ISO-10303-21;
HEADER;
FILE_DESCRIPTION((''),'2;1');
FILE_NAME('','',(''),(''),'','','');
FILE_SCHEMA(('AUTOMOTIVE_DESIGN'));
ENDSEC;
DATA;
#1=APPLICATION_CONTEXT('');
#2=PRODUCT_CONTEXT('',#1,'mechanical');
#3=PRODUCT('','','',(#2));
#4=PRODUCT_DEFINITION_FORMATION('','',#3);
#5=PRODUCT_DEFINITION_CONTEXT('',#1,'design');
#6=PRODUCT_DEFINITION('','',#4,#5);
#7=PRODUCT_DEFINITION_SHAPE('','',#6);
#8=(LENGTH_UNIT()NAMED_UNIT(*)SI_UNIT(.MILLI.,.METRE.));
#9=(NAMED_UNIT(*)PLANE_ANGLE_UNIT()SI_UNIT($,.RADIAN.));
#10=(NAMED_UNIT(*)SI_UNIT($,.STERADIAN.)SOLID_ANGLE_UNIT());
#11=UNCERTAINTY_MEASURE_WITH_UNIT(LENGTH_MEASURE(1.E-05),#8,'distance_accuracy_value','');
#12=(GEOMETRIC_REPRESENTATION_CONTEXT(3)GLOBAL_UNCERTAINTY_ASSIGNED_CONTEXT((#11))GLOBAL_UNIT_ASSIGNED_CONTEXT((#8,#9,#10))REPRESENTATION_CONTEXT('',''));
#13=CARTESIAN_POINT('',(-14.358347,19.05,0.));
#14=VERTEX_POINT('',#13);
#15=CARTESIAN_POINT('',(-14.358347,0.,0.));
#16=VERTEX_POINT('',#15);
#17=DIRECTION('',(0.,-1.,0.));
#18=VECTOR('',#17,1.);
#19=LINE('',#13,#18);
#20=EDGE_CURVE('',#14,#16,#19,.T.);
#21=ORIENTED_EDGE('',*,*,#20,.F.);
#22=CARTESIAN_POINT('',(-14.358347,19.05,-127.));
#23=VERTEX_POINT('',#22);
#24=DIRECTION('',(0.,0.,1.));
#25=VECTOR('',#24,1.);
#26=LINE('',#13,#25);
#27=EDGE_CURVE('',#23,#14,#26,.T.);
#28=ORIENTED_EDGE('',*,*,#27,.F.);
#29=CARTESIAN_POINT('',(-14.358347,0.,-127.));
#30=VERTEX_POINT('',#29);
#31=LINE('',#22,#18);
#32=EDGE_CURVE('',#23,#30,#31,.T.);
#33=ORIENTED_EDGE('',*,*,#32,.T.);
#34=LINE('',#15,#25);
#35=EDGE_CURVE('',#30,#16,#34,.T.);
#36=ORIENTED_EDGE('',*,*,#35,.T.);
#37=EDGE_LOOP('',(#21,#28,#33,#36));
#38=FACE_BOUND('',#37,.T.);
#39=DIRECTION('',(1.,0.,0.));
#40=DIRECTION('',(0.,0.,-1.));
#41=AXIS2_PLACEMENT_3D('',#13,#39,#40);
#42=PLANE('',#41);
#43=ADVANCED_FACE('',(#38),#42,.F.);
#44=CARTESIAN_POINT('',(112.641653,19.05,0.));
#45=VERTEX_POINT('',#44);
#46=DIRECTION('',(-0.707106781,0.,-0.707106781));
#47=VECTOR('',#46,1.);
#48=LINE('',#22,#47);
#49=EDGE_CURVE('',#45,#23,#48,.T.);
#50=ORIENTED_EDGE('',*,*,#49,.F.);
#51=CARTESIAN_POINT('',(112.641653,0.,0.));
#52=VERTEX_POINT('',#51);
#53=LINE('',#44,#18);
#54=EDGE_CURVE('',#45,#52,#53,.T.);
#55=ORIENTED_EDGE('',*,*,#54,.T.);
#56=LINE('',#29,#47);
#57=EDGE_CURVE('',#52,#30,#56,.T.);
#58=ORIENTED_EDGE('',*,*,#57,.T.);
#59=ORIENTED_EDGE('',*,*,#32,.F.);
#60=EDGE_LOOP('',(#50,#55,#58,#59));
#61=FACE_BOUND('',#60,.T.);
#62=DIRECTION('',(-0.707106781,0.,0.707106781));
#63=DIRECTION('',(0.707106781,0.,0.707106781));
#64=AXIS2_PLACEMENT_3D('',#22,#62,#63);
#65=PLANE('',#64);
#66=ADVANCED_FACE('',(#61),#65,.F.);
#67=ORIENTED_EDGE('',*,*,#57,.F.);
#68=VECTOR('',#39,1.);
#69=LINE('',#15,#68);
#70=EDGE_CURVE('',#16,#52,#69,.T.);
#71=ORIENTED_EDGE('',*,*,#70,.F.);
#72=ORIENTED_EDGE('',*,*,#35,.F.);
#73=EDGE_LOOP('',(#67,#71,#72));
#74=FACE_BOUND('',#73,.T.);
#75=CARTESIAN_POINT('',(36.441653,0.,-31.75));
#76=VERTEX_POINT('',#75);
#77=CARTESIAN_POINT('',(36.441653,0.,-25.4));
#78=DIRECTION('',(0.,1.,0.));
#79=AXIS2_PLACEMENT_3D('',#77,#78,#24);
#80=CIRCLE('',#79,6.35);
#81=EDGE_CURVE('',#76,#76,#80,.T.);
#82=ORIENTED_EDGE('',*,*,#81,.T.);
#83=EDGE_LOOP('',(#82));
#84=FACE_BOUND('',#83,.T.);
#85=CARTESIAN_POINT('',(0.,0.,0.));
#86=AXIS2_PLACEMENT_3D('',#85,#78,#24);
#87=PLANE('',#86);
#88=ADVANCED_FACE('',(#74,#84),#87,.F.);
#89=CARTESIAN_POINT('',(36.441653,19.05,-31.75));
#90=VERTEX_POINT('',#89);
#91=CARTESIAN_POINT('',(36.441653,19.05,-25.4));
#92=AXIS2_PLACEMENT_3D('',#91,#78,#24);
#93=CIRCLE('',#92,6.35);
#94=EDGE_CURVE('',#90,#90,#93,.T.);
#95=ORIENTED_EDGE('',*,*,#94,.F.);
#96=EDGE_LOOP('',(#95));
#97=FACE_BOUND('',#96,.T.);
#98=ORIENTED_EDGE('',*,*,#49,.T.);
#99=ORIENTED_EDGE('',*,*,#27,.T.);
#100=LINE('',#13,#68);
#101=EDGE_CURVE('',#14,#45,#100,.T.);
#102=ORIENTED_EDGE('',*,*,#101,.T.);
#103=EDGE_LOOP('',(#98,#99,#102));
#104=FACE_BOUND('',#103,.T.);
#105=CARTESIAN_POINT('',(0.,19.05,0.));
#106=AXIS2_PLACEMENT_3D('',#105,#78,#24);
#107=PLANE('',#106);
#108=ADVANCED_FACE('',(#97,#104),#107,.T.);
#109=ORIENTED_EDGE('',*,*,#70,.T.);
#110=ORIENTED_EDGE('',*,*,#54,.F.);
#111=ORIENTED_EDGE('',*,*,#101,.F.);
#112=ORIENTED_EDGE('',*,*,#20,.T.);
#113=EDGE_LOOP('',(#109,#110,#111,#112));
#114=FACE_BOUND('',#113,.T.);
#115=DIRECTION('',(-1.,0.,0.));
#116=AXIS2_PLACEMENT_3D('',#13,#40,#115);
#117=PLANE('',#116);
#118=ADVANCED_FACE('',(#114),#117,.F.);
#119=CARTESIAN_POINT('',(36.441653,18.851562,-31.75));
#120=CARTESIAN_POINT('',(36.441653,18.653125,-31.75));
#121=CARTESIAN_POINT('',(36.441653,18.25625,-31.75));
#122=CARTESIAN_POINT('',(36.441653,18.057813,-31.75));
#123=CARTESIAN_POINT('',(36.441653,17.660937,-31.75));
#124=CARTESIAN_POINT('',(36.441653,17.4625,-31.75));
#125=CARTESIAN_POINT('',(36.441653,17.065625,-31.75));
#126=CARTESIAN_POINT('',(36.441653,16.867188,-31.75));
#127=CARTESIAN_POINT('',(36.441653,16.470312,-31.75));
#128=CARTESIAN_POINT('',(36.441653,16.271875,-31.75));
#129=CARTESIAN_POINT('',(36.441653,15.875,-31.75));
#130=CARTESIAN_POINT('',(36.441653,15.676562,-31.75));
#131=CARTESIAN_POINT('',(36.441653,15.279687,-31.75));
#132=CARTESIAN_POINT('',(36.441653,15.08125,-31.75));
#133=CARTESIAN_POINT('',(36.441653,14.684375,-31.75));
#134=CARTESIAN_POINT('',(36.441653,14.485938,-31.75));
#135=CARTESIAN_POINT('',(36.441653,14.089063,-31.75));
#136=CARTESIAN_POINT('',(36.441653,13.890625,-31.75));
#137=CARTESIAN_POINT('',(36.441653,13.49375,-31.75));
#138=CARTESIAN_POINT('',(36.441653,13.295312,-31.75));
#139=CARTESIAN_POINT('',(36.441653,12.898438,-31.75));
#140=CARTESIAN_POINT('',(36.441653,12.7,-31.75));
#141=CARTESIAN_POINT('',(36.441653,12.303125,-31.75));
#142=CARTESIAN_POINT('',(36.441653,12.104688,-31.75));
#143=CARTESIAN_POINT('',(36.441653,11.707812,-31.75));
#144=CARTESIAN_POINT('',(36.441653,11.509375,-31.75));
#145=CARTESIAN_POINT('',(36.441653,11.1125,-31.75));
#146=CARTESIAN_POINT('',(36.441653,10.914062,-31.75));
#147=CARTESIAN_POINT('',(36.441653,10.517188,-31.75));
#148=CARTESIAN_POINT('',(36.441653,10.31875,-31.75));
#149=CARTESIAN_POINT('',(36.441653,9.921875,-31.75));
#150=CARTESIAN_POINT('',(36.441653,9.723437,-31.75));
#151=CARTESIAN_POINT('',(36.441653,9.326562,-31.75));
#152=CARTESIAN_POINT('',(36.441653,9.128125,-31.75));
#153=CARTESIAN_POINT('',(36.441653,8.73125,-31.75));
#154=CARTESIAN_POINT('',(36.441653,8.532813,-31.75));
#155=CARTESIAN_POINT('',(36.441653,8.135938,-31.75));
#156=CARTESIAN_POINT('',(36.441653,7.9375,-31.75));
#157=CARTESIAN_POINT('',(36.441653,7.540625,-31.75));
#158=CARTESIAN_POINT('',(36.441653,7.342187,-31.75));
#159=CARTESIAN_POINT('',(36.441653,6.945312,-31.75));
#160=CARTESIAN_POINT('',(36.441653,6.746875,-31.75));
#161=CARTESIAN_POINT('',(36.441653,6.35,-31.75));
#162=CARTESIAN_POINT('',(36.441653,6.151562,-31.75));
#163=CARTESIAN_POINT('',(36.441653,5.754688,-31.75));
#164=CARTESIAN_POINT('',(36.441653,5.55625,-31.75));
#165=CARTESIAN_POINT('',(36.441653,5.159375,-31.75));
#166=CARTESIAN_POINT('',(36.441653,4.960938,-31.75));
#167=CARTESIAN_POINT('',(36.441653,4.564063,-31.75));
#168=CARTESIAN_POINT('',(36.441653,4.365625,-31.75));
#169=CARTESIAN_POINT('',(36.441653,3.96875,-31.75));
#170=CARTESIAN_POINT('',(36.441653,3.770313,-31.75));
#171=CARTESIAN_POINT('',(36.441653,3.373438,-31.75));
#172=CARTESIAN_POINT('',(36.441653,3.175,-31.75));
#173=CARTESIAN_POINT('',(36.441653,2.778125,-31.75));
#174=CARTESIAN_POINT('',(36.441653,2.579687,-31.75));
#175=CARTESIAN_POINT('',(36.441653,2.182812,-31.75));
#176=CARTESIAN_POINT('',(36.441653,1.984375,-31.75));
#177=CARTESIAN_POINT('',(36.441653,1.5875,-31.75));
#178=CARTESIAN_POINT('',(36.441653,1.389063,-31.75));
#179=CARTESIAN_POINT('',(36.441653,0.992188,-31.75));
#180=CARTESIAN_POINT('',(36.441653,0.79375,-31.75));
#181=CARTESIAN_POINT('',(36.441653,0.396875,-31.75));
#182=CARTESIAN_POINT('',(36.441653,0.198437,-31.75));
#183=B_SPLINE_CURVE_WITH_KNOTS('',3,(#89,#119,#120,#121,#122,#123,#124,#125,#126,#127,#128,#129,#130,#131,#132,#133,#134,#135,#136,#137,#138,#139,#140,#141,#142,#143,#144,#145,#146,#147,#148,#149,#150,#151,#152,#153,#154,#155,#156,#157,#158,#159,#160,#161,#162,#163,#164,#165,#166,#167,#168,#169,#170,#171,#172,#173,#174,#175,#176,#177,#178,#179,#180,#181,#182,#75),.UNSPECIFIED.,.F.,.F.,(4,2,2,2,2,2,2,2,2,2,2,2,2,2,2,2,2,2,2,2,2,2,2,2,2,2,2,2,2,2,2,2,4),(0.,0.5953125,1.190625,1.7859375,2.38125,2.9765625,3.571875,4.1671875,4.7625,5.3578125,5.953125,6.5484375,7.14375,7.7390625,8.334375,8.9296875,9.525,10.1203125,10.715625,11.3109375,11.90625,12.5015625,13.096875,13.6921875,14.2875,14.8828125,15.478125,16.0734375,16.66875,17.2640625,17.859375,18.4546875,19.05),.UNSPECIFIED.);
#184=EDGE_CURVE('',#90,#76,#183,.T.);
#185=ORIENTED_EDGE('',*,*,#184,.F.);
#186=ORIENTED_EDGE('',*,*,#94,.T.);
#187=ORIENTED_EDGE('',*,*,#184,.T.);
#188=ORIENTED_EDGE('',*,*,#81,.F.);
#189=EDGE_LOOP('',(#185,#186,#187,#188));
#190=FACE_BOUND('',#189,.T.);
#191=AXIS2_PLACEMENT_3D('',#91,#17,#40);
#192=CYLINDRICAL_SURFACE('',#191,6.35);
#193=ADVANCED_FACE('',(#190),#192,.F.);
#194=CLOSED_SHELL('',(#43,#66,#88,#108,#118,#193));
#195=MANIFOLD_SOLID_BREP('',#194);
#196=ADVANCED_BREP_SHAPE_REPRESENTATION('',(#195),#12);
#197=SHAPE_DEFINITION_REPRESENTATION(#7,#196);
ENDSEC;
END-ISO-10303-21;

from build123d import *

# Parameters (mm, degrees)
SKETCH1_R           = 6.35
BOSS_EXTRUDE1_DEPTH = 19.05


with BuildPart() as part:
    # Sketch1 → Boss-Extrude1 (new body)
    with BuildSketch(Plane(origin=(0, 0, 0), x_dir=(1, 0, 0), z_dir=(0, 1, 0))):
        Polygon((-14.358347107, 0), (-14.358347107, 127), (112.641652893, 0), align=None)
        with Locations(Location((36.441652893, 25.4, 0), (0, 0, 90))):
            Circle(SKETCH1_R, mode=Mode.SUBTRACT)
    extrude(amount=BOSS_EXTRUDE1_DEPTH)


solid = part.part
